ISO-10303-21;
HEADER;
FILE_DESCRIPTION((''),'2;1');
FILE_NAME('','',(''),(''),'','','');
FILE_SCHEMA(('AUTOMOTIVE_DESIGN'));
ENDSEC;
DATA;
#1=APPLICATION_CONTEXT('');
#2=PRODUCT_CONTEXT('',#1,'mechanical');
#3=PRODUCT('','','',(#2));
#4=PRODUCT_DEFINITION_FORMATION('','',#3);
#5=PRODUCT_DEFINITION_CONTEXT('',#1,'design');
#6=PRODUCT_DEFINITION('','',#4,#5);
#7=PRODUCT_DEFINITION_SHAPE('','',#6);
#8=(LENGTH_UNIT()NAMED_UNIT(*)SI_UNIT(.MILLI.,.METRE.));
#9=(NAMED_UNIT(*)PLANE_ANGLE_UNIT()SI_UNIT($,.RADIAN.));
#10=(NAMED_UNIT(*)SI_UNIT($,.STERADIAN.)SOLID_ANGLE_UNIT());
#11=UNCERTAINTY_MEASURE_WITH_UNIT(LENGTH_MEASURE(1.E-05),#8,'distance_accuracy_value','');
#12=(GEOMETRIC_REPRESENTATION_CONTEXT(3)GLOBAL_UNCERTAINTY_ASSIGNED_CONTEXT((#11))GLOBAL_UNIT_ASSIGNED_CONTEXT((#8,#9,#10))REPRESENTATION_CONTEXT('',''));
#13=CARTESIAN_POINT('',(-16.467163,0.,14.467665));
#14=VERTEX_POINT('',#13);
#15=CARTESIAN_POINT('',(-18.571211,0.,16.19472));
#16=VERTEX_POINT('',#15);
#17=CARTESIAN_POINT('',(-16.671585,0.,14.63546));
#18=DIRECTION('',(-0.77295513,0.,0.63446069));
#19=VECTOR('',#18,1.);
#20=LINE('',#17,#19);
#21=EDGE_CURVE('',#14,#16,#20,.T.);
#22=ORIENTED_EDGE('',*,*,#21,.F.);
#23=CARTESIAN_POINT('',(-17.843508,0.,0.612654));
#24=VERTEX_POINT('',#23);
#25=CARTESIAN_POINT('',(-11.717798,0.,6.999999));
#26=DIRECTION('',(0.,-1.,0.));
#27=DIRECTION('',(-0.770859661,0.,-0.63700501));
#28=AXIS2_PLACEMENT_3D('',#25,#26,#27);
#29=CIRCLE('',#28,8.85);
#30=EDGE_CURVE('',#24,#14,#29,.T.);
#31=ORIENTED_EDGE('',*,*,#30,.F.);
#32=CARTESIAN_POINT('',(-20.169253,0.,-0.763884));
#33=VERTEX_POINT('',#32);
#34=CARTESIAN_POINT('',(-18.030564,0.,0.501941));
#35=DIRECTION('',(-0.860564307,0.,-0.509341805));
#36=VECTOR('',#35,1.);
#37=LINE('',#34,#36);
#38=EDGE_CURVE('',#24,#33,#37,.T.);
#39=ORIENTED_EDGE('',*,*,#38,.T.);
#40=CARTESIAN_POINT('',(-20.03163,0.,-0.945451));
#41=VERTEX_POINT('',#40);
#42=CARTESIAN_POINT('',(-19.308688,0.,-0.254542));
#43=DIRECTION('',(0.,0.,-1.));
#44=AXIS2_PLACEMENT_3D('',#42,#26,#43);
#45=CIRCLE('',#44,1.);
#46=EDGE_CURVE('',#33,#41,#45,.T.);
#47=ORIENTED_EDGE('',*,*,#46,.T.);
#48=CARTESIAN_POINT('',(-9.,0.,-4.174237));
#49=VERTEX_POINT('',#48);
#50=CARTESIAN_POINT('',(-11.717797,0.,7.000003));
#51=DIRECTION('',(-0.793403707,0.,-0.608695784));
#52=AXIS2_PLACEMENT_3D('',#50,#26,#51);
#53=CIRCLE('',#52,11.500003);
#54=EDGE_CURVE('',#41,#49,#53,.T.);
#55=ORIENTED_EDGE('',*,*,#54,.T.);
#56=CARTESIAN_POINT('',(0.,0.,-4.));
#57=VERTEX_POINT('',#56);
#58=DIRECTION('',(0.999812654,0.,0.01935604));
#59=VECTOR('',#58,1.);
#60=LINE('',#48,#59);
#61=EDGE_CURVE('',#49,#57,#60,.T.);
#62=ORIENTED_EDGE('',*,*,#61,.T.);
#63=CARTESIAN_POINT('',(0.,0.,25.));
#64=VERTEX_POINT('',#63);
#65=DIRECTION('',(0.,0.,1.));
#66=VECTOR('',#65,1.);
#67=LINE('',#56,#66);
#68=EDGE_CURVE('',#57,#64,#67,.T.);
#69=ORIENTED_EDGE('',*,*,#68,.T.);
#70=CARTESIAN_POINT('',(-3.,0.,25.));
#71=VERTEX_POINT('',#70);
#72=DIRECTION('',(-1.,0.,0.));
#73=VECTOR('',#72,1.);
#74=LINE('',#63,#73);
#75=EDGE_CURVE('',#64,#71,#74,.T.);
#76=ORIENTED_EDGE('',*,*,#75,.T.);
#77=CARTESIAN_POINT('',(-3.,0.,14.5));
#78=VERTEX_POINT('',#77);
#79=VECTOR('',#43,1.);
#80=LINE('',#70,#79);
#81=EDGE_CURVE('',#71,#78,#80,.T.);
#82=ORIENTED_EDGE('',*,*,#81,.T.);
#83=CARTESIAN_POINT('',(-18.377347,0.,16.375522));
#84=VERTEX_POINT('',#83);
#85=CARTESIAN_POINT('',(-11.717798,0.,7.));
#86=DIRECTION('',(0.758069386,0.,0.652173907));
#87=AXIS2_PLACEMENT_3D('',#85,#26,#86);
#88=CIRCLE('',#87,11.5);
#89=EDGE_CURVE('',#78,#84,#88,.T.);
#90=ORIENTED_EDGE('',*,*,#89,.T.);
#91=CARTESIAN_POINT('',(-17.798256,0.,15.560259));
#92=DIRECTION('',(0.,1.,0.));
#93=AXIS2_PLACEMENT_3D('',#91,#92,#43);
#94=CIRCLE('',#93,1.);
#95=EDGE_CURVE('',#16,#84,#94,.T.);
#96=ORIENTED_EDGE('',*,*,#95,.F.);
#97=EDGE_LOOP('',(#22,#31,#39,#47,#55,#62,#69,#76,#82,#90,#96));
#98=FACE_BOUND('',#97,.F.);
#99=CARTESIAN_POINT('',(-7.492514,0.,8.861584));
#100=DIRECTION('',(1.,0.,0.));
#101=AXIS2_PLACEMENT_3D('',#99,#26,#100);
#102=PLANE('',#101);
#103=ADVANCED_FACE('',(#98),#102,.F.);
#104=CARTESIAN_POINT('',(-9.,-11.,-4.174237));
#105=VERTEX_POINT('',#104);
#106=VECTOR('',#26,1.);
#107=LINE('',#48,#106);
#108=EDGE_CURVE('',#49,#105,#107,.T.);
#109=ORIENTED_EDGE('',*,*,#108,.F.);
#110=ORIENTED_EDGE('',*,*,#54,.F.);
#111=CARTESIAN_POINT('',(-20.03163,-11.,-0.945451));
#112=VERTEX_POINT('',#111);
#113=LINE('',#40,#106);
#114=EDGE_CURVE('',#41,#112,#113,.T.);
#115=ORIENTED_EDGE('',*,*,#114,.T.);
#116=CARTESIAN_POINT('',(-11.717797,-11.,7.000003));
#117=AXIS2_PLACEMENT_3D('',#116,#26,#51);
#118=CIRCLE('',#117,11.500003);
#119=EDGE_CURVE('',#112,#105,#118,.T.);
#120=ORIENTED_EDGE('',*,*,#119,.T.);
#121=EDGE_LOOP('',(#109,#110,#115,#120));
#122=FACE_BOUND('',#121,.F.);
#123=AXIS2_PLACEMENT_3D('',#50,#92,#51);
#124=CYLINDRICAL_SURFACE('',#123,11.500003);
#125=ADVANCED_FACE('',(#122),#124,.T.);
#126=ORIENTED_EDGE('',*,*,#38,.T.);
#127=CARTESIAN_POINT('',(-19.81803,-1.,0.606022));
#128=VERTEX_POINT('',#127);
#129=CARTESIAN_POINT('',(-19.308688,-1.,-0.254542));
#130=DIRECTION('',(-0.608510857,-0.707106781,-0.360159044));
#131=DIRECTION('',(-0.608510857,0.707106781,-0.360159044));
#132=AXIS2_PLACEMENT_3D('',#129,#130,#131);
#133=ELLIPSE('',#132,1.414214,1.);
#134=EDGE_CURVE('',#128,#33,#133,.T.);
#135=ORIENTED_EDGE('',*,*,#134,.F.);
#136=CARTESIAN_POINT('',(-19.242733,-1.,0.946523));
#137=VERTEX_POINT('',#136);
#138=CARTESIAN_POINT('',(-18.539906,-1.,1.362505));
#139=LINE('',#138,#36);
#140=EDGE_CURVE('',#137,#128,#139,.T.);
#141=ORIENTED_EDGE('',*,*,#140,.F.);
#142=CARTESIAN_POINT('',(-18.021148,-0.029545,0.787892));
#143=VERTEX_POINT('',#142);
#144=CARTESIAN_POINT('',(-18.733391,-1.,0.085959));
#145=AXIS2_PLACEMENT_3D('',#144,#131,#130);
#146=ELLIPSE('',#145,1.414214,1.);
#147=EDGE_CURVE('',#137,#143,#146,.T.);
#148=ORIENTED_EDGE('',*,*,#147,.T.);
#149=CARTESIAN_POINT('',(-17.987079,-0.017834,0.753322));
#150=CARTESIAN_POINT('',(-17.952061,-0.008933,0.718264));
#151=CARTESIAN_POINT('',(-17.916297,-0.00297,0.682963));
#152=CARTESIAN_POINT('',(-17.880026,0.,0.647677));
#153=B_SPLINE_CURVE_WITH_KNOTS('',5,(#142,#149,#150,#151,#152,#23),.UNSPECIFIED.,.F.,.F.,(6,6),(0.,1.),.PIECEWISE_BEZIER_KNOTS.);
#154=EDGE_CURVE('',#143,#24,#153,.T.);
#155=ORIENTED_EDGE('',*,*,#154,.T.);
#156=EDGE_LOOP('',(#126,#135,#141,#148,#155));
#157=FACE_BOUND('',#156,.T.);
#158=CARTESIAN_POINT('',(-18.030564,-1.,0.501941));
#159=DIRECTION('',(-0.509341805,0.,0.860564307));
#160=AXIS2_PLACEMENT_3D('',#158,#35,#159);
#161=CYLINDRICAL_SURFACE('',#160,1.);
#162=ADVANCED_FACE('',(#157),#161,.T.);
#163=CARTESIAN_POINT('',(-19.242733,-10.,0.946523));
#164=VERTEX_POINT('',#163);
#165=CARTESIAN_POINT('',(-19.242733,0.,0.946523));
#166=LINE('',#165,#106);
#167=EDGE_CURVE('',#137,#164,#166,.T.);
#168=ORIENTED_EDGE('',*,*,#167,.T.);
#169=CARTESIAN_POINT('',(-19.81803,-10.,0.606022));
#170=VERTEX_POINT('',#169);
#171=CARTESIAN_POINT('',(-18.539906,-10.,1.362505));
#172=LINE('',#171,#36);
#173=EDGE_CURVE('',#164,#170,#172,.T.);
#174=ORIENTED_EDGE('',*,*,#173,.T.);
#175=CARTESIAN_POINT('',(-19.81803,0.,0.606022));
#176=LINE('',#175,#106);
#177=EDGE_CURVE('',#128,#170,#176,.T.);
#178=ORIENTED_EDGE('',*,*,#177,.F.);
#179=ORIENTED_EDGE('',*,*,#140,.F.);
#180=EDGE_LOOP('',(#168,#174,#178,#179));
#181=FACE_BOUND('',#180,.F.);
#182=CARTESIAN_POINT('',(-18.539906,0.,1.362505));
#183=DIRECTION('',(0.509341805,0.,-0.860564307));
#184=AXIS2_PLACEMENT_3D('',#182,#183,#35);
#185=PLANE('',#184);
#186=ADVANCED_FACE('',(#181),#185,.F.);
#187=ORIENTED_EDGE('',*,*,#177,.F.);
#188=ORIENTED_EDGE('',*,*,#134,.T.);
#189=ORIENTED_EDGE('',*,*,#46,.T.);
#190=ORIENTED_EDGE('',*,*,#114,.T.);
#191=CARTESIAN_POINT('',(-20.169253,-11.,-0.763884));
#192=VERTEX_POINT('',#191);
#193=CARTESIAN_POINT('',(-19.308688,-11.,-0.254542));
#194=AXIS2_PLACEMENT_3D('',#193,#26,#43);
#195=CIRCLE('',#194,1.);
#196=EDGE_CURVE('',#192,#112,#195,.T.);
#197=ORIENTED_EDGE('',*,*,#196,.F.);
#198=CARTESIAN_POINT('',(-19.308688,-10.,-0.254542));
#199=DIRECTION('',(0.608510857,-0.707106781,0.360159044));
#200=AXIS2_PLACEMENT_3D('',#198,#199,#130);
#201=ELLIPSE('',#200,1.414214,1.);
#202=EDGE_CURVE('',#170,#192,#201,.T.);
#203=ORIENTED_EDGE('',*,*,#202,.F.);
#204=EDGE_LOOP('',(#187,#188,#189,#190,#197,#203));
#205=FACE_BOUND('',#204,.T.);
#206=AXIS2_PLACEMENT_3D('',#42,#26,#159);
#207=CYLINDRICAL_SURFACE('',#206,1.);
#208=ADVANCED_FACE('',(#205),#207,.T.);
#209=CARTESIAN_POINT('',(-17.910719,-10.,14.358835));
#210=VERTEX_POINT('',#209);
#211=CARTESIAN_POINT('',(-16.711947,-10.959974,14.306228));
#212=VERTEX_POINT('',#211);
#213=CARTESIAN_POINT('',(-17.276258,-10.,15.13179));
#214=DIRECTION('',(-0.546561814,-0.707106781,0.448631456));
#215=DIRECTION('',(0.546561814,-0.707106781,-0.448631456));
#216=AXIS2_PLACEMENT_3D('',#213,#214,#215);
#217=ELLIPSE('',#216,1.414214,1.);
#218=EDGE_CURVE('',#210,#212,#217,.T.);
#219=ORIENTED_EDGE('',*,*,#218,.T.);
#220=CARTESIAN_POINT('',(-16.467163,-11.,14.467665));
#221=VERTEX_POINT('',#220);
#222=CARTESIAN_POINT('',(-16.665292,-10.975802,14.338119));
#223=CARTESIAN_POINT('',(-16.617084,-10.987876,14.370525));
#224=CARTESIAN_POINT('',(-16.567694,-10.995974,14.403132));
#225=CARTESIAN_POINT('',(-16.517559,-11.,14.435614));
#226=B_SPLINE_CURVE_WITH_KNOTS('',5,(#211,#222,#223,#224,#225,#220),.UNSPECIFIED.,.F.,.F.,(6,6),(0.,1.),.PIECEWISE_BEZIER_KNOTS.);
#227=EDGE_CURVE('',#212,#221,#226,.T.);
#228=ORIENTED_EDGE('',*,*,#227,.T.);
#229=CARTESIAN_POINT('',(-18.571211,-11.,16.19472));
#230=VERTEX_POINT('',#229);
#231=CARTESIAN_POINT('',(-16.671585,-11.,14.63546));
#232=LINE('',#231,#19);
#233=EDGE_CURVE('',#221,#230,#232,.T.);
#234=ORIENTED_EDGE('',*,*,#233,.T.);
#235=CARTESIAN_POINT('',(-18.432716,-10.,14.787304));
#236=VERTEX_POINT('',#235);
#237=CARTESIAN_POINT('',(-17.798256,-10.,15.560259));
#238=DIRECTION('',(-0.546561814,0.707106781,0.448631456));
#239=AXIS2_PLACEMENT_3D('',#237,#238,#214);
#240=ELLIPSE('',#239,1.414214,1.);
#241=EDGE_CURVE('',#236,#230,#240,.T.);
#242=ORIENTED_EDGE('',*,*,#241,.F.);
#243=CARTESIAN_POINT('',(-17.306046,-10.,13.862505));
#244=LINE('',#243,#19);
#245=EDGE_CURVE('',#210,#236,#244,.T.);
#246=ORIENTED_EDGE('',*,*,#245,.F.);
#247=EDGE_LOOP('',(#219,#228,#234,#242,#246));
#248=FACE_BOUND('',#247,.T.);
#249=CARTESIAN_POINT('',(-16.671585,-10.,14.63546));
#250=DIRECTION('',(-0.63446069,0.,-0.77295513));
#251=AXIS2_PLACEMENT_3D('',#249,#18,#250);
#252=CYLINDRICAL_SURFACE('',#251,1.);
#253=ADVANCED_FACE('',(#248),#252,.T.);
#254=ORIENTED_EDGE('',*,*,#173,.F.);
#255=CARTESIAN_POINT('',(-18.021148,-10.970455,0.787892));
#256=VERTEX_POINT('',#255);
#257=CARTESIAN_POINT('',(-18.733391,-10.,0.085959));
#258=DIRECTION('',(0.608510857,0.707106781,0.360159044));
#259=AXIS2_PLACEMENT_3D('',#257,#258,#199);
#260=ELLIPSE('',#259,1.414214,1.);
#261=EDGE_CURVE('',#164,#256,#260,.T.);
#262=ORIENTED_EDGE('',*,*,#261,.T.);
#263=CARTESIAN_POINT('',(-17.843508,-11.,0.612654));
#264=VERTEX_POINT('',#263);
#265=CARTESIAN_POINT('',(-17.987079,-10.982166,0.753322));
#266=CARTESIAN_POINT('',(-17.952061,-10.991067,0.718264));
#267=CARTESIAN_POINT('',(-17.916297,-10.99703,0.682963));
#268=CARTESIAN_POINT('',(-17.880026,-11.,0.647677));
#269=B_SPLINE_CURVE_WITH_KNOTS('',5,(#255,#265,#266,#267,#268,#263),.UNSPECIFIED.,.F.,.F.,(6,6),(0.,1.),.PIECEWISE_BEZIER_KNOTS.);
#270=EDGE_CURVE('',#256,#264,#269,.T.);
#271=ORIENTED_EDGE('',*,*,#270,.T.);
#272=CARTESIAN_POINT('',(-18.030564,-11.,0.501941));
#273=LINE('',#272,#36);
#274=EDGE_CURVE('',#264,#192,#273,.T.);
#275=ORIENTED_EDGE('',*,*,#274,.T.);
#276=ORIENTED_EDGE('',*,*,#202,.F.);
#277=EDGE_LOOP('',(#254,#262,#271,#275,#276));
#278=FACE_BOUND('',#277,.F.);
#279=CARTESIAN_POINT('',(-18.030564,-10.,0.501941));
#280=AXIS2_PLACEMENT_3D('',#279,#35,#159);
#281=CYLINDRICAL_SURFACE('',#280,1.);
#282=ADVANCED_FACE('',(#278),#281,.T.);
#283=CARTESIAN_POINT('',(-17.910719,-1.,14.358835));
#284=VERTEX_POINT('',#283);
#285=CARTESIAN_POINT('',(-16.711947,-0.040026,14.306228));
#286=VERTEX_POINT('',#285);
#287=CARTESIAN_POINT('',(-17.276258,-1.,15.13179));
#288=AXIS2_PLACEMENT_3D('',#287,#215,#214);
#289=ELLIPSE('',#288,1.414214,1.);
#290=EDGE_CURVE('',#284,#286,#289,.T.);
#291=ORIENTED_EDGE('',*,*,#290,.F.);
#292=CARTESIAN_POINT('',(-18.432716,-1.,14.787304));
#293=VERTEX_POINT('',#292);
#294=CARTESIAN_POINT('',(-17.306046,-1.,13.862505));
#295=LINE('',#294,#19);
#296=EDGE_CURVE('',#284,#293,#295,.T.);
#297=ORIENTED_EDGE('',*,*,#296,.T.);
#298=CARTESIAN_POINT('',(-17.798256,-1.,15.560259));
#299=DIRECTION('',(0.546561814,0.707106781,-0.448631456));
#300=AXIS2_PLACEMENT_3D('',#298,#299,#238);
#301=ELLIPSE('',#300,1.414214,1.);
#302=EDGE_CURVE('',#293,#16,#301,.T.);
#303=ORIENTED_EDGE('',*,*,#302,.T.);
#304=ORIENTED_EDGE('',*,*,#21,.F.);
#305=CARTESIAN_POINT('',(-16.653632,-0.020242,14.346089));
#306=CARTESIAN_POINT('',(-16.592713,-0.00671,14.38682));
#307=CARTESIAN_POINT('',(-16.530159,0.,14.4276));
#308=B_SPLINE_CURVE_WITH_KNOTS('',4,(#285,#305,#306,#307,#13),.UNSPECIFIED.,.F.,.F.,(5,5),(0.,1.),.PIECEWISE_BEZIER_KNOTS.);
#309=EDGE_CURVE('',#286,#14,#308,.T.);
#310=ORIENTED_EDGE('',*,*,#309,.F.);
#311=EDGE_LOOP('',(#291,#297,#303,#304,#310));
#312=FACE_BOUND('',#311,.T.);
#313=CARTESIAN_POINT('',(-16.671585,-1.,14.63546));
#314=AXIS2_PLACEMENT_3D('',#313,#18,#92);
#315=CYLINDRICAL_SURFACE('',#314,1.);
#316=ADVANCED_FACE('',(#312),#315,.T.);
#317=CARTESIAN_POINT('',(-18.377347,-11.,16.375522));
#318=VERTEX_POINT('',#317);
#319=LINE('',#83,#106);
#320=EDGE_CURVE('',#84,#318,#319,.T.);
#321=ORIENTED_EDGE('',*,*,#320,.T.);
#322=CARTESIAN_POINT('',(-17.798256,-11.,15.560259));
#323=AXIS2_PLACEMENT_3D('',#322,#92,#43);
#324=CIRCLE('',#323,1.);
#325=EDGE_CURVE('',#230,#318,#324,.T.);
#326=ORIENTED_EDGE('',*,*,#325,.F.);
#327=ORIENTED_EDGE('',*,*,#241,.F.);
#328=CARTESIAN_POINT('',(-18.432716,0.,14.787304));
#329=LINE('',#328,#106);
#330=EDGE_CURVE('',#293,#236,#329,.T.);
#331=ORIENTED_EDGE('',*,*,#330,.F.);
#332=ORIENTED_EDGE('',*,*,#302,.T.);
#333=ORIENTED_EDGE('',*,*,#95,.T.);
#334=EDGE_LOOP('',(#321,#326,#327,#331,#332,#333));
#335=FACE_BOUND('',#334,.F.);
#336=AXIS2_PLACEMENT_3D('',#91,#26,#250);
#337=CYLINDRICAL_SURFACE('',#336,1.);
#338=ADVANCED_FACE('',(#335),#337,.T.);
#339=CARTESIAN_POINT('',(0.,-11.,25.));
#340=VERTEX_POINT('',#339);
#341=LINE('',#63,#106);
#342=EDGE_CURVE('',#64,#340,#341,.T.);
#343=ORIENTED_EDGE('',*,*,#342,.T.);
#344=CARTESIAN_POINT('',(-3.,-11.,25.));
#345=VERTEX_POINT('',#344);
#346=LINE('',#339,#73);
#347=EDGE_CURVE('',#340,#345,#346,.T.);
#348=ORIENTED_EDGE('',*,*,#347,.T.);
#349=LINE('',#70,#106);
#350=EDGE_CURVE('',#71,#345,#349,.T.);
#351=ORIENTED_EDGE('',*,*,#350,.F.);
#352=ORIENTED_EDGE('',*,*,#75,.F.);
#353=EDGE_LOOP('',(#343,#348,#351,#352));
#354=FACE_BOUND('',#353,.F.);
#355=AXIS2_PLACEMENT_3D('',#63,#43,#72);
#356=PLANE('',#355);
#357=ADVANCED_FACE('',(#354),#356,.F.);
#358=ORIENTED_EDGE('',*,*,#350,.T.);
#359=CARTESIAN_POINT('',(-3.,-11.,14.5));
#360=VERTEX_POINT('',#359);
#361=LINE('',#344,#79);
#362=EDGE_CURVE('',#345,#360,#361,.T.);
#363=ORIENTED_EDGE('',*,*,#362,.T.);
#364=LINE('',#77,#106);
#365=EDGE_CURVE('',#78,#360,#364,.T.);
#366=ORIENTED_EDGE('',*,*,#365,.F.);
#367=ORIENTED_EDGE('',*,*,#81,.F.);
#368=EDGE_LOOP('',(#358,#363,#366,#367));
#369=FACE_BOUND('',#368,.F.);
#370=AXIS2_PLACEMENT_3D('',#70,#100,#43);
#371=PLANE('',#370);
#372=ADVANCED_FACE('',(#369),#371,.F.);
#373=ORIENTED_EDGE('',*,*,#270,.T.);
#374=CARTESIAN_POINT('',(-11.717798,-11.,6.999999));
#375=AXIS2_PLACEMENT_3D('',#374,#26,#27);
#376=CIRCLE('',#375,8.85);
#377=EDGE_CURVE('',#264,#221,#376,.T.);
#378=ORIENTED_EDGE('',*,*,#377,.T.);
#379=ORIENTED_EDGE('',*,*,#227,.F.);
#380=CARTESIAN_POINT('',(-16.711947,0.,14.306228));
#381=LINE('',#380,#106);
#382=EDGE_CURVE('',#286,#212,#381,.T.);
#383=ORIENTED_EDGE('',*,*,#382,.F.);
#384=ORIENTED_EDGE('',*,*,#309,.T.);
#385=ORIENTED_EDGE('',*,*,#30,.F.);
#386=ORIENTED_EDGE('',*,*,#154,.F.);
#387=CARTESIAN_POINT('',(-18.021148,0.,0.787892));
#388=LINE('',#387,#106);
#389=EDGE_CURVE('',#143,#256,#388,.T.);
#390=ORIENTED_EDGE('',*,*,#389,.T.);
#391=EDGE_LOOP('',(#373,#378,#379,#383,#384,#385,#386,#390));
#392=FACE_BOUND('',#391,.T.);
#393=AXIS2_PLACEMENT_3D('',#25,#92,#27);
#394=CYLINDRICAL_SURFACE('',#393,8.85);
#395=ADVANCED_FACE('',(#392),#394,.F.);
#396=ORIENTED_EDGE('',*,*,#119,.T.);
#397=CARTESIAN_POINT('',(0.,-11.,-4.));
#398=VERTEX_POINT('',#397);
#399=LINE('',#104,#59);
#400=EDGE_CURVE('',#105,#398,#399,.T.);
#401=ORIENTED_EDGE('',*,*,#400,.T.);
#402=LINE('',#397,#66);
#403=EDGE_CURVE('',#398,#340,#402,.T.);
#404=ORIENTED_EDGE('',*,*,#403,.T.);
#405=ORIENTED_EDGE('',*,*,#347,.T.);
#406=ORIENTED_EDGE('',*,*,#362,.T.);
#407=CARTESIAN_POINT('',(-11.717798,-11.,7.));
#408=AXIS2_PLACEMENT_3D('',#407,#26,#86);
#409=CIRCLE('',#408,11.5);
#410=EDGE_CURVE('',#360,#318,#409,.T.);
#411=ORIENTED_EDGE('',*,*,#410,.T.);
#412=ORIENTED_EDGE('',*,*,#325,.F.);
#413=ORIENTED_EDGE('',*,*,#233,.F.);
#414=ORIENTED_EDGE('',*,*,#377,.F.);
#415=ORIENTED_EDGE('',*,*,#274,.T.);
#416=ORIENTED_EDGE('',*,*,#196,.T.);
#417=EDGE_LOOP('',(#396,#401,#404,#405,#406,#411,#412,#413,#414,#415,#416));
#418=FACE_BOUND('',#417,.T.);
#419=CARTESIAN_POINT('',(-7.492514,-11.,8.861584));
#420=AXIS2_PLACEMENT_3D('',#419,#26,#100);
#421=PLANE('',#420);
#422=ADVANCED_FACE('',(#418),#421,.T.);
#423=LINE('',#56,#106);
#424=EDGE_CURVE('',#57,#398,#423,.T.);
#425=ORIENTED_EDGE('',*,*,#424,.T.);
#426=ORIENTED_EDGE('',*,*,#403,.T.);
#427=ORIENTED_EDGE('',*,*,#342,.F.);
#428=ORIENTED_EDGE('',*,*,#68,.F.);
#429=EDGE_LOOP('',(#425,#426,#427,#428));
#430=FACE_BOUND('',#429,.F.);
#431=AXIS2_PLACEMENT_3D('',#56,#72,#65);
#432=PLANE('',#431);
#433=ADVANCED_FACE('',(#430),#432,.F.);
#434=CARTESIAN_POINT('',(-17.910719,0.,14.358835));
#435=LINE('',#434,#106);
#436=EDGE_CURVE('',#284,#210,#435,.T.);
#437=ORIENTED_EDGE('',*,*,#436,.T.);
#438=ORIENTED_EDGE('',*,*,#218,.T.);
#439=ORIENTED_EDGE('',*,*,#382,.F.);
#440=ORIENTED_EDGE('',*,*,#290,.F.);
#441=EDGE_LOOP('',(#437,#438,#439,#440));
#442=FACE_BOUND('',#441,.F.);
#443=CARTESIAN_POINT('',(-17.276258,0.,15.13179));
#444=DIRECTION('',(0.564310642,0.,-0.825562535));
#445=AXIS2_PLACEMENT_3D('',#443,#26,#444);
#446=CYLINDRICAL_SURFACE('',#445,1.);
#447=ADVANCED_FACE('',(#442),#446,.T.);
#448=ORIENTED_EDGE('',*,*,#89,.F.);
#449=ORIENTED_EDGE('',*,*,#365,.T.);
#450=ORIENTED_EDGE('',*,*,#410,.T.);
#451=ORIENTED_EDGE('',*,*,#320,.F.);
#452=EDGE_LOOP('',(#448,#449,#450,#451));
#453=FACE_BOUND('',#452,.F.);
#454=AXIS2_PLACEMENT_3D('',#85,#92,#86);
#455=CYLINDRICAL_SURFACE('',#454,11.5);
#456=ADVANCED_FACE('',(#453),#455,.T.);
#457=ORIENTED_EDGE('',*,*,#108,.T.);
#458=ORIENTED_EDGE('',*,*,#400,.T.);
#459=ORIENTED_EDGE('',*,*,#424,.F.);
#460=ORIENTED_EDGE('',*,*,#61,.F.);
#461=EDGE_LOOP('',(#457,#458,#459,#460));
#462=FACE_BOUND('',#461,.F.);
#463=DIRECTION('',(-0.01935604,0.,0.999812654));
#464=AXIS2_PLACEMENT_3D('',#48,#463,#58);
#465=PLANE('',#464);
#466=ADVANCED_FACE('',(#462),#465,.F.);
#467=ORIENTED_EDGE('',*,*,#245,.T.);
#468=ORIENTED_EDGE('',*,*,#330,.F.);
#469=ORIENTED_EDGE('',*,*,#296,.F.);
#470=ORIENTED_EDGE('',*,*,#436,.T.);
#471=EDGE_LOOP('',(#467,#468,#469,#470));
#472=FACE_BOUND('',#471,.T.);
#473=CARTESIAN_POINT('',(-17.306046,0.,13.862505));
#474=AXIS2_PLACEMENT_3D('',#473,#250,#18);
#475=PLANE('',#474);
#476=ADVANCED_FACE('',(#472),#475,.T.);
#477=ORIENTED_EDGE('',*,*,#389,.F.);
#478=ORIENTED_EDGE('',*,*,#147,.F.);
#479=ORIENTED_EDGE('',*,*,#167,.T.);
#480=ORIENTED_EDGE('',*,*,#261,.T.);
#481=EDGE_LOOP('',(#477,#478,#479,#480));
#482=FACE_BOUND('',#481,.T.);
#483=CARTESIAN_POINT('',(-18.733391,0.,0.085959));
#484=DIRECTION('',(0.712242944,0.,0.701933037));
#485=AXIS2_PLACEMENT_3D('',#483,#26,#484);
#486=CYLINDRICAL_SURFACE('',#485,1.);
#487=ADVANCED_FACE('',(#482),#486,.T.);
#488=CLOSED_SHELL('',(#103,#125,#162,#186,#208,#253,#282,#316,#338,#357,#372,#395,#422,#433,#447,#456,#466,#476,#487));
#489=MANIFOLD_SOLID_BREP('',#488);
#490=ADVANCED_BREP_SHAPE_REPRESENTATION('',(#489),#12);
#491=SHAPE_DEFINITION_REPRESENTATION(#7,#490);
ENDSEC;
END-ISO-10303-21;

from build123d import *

# Parameters (mm, degrees)
PAD_DEPTH   = 11
FILLET_R    = 1
FILLET001_R = 1


with BuildPart() as part:
    # Sketch → Pad (new body)
    with BuildSketch(Plane.XZ):
        with BuildLine():
            Line((0, 0), (0, 25))
            Line((0, 25), (-3, 25))
            Line((-3, 25), (-3, 14.5))
            ThreePointArc((-3, 14.5), (-10.968465, 18.475561), (-19.386255, 15.569992))
            Line((-17.306046, 13.862505), (-19.386255, 15.569992))
            ThreePointArc((-18.539906, 1.362505), (-2.9106, 6.130653), (-17.306046, 13.862505))
            Line((-18.539906, 1.362505), (-20.841942, 0))
            ThreePointArc((-20.841942, 0), (-15.540935, -3.845903), (-9, -4.174237))
            Line((-9, -4.174237), (0, -4))
            Line((0, 0), (0, -4))
        make_face()
    extrude(amount=PAD_DEPTH)

    # Fillet
    fillet_edges = [part.edges().sort_by_distance(p)[0] for p in [
        (-18.539906, -5.5, 1.362505),
        (-20.841942, -5.5, 0),
        (-19.690924, 0, 0.681253),
        (-19.690924, -11, 0.681253),
    ]]
    fillet(fillet_edges, radius=FILLET_R)

    # Fillet001
    fillet001_edges = [part.edges().sort_by_distance(p)[0] for p in [
        (-17.306046, -5.5, 13.862505),
        (-19.386255, -5.5, 15.569992),
        (-18.346151, 0, 14.716249),
        (-18.346151, -11, 14.716249),
    ]]
    fillet(fillet001_edges, radius=FILLET001_R)


solid = part.part
